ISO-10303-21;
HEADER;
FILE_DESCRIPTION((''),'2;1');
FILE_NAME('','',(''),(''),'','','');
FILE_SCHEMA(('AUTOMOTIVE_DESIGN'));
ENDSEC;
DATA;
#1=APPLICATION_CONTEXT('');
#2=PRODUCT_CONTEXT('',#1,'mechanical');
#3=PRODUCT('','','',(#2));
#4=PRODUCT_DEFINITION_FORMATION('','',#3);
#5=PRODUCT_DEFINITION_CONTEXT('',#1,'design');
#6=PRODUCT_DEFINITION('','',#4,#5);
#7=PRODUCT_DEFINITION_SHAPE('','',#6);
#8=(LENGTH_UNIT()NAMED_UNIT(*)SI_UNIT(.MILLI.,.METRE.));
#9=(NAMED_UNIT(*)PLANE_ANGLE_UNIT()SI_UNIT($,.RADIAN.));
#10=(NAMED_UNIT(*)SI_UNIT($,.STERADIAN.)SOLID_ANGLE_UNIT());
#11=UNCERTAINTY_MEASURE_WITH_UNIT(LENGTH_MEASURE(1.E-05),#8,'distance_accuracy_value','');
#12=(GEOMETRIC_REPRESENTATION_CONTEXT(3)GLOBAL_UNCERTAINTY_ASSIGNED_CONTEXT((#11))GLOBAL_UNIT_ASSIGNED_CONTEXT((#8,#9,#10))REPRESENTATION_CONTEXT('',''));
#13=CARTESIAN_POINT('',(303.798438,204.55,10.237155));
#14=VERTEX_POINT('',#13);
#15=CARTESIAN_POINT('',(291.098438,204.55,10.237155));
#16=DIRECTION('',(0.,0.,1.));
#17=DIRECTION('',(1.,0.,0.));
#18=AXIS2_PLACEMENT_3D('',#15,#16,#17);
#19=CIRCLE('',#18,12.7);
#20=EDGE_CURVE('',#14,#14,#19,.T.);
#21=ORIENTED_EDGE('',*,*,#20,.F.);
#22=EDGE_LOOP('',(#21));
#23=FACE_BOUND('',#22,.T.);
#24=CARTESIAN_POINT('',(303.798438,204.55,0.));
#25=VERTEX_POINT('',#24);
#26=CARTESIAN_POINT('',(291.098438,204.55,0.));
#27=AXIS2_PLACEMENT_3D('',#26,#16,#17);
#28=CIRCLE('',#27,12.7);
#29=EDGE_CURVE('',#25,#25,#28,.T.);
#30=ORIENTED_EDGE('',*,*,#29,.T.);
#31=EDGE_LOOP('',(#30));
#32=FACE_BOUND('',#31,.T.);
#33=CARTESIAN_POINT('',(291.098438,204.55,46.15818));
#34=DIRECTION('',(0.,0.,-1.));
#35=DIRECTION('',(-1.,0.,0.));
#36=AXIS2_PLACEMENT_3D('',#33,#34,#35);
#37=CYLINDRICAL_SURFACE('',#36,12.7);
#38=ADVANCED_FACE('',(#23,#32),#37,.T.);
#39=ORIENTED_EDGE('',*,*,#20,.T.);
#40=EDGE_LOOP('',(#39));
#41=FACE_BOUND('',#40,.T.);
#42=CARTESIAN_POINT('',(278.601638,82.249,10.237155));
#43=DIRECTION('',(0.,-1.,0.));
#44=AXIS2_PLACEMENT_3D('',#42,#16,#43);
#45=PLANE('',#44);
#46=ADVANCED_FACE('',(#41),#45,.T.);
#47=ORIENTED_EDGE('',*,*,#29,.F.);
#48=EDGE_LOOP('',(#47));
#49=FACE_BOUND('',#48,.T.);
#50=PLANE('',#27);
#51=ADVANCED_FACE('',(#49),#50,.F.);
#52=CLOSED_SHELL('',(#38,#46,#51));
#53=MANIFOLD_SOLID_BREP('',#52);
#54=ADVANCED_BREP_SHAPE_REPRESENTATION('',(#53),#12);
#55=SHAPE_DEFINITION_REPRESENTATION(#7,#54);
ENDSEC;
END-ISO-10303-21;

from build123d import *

# Parameters (mm, degrees)
SKETCH1_R           = 12.7
BOSS_EXTRUDE1_DEPTH = 10.237155


with BuildPart() as part:
    # Sketch1 → Boss-Extrude1 (new body)
    with BuildSketch(Plane.XY):
        with Locations((291.098437524, 204.55)):
            Circle(SKETCH1_R)
    extrude(amount=BOSS_EXTRUDE1_DEPTH)


solid = part.part
